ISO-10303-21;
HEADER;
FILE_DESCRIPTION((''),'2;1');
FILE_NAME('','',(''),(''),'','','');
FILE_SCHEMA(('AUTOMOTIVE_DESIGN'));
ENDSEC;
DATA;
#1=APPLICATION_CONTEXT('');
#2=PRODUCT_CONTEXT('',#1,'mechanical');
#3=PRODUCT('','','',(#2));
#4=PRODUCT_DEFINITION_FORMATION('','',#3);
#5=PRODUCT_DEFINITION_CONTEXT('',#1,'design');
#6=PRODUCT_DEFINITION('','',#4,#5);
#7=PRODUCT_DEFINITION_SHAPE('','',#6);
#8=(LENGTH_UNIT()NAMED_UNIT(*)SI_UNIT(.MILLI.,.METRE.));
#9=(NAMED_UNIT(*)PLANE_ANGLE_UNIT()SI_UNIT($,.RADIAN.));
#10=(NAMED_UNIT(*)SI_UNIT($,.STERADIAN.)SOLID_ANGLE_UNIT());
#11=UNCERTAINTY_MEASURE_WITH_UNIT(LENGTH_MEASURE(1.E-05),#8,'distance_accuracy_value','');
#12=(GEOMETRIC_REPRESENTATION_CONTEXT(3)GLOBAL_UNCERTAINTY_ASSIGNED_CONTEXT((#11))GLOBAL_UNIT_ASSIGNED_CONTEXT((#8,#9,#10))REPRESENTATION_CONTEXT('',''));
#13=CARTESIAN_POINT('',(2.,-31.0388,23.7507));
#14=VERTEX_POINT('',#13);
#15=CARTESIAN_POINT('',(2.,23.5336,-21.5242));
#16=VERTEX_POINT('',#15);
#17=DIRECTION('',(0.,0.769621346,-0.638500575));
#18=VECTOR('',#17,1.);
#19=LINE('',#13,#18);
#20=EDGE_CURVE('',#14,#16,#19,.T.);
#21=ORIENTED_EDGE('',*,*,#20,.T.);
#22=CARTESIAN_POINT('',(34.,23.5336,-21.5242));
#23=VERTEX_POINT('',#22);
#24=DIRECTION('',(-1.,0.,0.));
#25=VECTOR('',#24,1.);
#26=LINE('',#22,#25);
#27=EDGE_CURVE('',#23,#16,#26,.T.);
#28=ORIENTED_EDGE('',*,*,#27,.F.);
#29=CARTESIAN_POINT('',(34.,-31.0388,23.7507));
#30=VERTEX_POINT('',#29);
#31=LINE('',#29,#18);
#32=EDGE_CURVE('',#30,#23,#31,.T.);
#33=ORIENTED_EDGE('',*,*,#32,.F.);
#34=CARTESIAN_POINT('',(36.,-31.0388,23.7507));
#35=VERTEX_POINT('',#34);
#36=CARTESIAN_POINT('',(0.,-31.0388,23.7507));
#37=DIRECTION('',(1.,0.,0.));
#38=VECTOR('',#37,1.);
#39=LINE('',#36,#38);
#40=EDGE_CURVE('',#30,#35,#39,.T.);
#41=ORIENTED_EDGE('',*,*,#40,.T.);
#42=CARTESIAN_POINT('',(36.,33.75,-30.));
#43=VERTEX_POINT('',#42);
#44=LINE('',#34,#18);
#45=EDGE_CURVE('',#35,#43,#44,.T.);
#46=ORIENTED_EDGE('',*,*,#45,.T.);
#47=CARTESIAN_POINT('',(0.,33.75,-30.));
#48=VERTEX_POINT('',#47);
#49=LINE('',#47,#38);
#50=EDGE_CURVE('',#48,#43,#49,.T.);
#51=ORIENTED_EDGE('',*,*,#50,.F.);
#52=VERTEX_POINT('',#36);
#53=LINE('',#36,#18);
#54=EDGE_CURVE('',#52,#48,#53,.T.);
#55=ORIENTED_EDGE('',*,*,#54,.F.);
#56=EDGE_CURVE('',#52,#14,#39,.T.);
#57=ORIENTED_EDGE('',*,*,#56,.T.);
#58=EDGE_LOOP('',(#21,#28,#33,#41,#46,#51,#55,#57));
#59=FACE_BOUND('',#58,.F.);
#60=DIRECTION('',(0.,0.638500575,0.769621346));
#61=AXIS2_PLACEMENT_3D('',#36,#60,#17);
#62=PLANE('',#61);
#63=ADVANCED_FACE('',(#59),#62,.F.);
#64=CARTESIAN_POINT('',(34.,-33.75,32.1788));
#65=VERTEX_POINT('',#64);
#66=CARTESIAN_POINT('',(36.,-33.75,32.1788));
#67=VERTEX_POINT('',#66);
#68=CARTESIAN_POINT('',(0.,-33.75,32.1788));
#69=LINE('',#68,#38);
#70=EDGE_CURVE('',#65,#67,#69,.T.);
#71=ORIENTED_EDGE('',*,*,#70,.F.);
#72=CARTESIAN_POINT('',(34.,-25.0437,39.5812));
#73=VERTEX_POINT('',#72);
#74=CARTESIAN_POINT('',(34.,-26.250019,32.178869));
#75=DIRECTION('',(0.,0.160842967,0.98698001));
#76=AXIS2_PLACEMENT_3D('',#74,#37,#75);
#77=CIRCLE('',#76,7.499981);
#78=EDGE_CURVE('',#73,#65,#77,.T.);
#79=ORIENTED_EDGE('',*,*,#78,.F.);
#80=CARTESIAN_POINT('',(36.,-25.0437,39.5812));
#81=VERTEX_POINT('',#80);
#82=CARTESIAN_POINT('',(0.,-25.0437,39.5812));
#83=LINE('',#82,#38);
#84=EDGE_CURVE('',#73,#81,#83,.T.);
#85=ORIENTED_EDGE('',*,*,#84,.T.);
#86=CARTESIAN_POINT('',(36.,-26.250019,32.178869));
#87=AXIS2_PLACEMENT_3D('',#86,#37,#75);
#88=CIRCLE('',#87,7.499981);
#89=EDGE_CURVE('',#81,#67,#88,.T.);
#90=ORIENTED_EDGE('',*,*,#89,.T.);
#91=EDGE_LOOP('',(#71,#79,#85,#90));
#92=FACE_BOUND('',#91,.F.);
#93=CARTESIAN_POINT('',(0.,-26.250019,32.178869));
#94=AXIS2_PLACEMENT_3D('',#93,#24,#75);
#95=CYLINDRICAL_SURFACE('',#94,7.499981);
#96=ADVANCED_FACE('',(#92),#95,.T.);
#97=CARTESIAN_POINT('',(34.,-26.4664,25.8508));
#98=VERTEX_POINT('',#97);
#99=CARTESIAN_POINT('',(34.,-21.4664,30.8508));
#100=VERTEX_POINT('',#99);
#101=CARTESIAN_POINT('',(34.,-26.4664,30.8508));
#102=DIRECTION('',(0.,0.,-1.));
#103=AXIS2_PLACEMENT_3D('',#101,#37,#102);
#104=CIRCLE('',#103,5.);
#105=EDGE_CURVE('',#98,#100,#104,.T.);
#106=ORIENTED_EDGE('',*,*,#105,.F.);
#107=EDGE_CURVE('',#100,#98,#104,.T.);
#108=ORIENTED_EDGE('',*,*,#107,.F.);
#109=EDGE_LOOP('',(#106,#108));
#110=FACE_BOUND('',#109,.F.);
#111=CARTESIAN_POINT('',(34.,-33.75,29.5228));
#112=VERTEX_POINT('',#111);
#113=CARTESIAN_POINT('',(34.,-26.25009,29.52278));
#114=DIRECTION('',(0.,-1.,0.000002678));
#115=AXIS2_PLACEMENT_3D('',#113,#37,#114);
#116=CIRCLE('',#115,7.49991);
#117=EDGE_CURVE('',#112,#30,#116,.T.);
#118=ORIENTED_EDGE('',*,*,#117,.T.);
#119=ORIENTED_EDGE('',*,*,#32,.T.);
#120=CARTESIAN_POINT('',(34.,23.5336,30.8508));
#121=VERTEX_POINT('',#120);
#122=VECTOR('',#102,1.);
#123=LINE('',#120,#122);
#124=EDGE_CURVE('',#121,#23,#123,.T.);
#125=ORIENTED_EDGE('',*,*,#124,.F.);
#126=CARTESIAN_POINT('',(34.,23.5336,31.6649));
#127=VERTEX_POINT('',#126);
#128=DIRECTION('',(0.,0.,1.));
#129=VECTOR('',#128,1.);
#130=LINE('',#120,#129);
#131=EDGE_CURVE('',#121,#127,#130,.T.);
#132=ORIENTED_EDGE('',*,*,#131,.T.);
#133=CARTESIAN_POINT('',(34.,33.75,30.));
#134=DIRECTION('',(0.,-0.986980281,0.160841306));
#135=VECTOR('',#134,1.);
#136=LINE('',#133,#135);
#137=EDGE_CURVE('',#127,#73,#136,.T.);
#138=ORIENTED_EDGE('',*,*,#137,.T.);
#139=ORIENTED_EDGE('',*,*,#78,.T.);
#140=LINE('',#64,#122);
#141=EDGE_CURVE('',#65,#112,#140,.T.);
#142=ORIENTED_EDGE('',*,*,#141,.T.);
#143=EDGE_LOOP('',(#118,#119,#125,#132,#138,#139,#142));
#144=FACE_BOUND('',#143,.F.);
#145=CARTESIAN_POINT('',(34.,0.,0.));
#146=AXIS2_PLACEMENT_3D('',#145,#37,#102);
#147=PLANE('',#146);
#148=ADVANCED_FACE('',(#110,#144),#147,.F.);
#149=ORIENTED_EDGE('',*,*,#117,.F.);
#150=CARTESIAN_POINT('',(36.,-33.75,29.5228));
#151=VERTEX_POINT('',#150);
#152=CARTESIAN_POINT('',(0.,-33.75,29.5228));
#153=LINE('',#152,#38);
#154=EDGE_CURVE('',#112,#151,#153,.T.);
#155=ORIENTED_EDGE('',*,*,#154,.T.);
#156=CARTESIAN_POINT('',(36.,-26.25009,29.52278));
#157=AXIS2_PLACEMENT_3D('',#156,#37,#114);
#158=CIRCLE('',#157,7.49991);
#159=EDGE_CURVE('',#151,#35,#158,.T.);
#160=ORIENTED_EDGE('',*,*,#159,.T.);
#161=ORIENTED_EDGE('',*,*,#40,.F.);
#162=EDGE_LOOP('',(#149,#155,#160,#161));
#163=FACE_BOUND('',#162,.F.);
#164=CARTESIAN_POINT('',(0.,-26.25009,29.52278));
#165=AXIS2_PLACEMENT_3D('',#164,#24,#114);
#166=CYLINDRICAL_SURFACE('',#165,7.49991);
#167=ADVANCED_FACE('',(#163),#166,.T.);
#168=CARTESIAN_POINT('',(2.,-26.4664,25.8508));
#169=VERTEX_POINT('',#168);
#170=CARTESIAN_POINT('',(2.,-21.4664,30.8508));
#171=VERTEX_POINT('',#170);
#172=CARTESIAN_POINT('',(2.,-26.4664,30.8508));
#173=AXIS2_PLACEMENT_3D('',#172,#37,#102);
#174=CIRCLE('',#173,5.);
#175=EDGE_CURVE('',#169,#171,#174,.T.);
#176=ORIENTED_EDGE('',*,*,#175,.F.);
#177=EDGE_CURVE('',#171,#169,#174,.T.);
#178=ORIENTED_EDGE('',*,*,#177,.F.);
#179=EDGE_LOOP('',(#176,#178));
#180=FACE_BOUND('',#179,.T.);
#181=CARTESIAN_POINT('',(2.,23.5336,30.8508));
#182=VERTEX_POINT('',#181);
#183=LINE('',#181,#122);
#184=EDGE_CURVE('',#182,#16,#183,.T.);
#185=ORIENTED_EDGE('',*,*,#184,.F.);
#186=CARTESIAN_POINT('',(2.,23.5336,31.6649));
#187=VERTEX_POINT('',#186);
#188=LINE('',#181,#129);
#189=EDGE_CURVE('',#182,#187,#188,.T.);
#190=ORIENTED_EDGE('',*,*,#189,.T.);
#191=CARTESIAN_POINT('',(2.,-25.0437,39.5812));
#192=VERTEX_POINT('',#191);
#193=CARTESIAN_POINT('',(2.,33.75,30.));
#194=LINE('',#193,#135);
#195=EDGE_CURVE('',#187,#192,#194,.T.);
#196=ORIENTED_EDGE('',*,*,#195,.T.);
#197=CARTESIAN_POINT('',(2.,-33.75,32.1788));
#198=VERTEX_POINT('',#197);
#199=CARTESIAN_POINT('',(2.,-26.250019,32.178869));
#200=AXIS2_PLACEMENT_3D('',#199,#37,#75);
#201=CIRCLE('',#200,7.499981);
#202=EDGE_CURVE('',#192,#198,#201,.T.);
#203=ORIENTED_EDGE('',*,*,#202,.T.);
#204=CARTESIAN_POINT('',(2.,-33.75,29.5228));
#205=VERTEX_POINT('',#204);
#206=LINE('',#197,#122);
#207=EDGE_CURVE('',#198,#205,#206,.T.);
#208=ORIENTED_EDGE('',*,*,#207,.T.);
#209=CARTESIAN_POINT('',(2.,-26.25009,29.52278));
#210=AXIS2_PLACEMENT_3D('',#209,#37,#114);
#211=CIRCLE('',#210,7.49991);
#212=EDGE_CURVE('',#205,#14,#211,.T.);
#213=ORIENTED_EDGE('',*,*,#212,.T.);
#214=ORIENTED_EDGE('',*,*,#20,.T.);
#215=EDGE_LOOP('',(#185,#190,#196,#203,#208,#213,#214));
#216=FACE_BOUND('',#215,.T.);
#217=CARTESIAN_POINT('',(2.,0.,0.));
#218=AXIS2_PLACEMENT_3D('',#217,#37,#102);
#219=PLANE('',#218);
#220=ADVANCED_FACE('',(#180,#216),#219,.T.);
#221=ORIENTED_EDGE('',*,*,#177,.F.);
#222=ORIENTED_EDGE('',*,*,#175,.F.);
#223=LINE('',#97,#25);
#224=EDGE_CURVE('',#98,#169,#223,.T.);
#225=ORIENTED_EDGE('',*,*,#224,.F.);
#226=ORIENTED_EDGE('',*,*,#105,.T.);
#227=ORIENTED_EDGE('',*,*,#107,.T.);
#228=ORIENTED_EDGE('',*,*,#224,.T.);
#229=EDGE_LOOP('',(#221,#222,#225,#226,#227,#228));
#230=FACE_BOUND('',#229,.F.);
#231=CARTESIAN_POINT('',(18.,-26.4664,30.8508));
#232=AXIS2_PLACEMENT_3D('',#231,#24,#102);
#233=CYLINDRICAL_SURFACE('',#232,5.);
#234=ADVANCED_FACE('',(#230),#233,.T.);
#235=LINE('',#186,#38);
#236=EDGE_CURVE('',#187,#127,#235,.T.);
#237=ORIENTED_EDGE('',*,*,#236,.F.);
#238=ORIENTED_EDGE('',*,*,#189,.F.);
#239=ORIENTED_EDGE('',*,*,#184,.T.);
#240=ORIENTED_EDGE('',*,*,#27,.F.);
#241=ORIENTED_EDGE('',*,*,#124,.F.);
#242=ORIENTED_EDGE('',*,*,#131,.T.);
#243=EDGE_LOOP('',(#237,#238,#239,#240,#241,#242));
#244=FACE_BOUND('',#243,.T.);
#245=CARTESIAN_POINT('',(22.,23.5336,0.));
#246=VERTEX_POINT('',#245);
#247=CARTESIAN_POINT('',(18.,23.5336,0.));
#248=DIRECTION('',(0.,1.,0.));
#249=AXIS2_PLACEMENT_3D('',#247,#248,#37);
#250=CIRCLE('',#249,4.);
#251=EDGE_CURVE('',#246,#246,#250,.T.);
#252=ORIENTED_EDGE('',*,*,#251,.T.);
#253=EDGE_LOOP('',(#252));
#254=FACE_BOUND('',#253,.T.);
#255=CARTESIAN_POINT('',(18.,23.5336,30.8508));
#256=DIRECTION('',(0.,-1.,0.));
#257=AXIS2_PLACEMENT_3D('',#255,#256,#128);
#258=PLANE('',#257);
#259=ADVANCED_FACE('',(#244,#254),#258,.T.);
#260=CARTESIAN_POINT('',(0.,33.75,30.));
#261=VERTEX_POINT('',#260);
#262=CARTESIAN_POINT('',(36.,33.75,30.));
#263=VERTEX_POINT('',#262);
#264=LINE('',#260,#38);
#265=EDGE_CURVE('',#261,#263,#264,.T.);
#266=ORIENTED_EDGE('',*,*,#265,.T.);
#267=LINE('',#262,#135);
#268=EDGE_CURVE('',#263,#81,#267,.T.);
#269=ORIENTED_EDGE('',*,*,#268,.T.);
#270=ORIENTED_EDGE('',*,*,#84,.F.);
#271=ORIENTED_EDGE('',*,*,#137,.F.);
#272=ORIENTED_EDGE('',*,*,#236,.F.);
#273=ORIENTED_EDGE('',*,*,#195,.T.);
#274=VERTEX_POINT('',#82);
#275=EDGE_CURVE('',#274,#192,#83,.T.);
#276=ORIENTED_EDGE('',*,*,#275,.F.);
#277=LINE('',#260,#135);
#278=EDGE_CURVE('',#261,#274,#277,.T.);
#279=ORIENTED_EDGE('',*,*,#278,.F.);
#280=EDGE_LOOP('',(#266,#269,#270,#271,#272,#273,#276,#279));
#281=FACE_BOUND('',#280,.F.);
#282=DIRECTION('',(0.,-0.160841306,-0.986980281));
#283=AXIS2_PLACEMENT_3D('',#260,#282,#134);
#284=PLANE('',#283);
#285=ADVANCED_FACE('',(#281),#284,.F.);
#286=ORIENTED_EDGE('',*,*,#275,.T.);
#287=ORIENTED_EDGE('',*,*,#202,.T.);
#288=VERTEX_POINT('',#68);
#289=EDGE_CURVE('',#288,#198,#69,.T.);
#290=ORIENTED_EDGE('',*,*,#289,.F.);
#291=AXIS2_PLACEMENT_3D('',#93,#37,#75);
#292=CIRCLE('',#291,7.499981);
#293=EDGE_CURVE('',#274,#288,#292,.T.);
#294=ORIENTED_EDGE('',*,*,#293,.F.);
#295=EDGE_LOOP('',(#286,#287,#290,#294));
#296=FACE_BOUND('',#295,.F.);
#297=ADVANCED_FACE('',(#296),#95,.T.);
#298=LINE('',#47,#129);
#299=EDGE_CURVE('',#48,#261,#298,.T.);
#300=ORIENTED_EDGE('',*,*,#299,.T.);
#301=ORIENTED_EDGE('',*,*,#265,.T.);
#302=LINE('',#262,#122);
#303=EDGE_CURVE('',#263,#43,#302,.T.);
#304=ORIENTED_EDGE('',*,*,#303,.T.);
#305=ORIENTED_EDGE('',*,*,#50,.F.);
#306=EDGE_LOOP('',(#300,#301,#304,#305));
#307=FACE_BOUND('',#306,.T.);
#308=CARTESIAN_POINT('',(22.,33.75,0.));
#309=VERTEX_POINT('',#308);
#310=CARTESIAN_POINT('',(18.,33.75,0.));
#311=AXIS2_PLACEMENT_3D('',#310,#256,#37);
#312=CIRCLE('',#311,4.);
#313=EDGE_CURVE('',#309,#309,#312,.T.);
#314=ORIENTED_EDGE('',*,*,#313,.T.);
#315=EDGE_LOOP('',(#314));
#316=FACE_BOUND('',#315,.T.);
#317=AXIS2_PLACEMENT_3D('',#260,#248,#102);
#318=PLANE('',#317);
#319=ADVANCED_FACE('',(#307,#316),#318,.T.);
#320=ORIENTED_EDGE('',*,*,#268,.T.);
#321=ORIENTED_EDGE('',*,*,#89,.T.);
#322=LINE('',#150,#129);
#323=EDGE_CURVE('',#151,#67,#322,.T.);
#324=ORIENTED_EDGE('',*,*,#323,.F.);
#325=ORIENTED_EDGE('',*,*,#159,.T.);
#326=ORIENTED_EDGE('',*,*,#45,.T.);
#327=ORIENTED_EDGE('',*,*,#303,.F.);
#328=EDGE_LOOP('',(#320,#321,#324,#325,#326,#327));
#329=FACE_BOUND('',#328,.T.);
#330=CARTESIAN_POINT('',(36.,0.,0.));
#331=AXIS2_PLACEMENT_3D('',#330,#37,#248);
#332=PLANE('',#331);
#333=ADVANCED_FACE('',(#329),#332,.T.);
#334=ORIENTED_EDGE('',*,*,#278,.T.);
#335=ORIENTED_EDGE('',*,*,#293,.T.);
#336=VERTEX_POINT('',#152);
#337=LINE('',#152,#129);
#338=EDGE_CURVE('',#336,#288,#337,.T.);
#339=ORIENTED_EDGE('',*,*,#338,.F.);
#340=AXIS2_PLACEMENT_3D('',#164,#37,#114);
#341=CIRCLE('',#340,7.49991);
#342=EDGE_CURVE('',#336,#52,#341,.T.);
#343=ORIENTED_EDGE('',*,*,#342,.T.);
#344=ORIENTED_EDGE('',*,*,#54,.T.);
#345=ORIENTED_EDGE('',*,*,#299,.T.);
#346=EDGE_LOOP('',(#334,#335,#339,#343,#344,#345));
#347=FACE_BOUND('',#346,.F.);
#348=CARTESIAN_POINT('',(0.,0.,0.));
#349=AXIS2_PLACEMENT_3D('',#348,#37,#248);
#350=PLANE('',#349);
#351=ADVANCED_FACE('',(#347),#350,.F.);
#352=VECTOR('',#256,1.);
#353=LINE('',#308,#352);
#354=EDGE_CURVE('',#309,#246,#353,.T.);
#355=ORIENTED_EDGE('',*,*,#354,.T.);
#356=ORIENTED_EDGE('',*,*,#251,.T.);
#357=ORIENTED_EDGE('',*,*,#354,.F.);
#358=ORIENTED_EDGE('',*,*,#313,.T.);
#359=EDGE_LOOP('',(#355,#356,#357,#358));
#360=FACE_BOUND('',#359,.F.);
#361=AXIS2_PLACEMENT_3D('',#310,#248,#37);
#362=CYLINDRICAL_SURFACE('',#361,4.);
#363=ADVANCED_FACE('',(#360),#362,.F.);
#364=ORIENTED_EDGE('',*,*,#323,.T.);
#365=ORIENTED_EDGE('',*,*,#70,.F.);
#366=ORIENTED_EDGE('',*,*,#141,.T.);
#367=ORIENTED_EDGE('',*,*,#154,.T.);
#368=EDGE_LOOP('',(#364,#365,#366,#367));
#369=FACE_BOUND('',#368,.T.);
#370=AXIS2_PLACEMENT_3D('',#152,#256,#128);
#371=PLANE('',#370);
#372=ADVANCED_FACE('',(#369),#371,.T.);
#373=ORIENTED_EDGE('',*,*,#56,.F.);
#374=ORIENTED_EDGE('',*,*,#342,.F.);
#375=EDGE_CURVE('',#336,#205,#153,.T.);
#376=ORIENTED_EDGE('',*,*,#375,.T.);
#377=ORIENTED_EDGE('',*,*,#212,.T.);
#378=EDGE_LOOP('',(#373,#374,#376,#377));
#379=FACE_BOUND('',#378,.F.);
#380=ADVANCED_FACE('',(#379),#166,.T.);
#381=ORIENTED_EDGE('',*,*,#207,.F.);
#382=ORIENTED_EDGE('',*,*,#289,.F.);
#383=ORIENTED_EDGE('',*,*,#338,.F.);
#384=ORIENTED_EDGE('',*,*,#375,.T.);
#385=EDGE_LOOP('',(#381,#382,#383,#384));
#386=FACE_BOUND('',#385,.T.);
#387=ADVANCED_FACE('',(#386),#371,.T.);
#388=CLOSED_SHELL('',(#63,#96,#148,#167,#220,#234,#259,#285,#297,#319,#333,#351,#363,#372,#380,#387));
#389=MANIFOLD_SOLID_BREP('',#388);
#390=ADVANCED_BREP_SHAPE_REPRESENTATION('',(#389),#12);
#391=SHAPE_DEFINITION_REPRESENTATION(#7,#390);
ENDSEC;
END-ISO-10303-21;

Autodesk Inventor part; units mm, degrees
ref_plane "YZ Plane" through (0, 0, 0) normal (1, 0, 0) x (0, 1, 0)
ref_plane "XZ Plane" through (0, 0, 0) normal (0, 1, 0) x (-1, 0, 0)
ref_plane "XY Plane" through (0, 0, 0) normal (0, 0, 1) x (1, 0, 0)
sketch "스케치1" plane through (0, 0, 0) normal (1, 0, 0) x (0, 1, 0)
  line L0 (-33.75, 41) -> (33.75, 41)
  line L1 (33.75, 41) -> (33.75, -41)
  line L2 (33.75, -41) -> (-33.75, -41)
  line L3 (-33.75, 29.5228) -> (-33.75, 32.1788)
  line L4 (-33.75, 41) -> (33.75, -41) construction
  line L5 (33.75, 41) -> (-33.75, -41) construction
  line L6 (33.75, 41) -> (33.75, 35)
  line L7 (33.75, 0) -> (33.75, 30)
  line L8 (33.75, 30) -> (-25.0437, 39.5812)
  line L9 (33.75, 0) -> (33.75, -30)
  line L10 (-31.0388, 23.7507) -> (33.75, -30)
  arc A0 (-33.75, 29.5228) -> (-31.0388, 23.7507) centre (-26.25, 29.5228) ccw
  arc A1 (-25.0437, 39.5812) -> (-33.75, 32.1788) centre (-26.25, 32.1788) ccw
  point P0 (0, 0)
  point P1 (-33.75, 26)
  dimension "d3" = 67.5
  dimension "d4" = 82
  dimension "d6" = 30
  dimension "d7" = 30
  dimension "d9" = 15
  dimension "d10" = 7.5
extrude "돌출1" add sketch "스케치1" along normal blind 36
ref_plane "작업 평면1" through (18, 0, 0) normal (1, 0, 0) x (0, 0, -1)
sketch "스케치2" plane through (18, 0, 0) normal (1, 0, 0) x (0, 0, -1)
  line L0 (-30, 33.75) -> (-39.5812, -25.0437) projected
  arc A0 (-39.5812, -25.0437) -> (-32.1788, -33.75) centre (-32.1788, -26.25) ccw projected
  line L1 (-32.1788, -33.75) -> (-29.5228, -33.75) projected
  arc A1 (-29.5228, -33.75) -> (-23.7507, -31.0388) centre (-29.5228, -26.25) ccw projected
  line L2 (-23.7507, -31.0388) -> (30, 33.75) projected
  line L3 (30, 33.75) -> (-30, 33.75) projected
  line L4 (30, 33.75) -> (-30, 33.75) projected
  line L5 (-30, 33.75) -> (-39.5812, -25.0437) projected
  circle A2 centre (-30.8508, -26.4664) radius 5
  line L6 (-30.8508, -26.4664) -> (-30.8508, 23.5336)
  line L7 (-30.8508, 23.5336) -> (21.5242, 23.5336)
  line L8 (-23.7507, -31.0388) -> (30, 33.75) projected
  line L9 (-30.8508, 23.5336) -> (-31.6649, 23.5336)
  point P0 (0, 0)
  dimension "d14" = 10
  dimension "d15" = 50
extrude "돌출2" cut sketch "스케치2" along normal blind 16 and the other way blind 16 contours L9 L7 L2 A1 L1 A0 L0
sketch "스케치3" plane through (0, 33.75, 30) normal (0, 1, 0) x (1, 0, 0)
  line L0 (0, 60) -> (0, 0) projected
  line L1 (0, 0) -> (36, 0) projected
  line L2 (36, 60) -> (36, 0) projected
  line L3 (0, 60) -> (36, 60) projected
  line L4 (18, 0) -> (18, 60)
  line L5 (0, 30) -> (36, 30)
  line L6 (36, 6.2493) -> (36, 60) projected
  circle A0 centre (18, 30) radius 4
  dimension "d20" = 8
extrude "돌출3" cut sketch "스케치3" against normal blind 16 contours A0 L4 L5 | L5 L4 A0 | A0 L5 L4 | L5 A0 L4
properties part number "Part_MetalLeg" material "스테인레스 스틸"
